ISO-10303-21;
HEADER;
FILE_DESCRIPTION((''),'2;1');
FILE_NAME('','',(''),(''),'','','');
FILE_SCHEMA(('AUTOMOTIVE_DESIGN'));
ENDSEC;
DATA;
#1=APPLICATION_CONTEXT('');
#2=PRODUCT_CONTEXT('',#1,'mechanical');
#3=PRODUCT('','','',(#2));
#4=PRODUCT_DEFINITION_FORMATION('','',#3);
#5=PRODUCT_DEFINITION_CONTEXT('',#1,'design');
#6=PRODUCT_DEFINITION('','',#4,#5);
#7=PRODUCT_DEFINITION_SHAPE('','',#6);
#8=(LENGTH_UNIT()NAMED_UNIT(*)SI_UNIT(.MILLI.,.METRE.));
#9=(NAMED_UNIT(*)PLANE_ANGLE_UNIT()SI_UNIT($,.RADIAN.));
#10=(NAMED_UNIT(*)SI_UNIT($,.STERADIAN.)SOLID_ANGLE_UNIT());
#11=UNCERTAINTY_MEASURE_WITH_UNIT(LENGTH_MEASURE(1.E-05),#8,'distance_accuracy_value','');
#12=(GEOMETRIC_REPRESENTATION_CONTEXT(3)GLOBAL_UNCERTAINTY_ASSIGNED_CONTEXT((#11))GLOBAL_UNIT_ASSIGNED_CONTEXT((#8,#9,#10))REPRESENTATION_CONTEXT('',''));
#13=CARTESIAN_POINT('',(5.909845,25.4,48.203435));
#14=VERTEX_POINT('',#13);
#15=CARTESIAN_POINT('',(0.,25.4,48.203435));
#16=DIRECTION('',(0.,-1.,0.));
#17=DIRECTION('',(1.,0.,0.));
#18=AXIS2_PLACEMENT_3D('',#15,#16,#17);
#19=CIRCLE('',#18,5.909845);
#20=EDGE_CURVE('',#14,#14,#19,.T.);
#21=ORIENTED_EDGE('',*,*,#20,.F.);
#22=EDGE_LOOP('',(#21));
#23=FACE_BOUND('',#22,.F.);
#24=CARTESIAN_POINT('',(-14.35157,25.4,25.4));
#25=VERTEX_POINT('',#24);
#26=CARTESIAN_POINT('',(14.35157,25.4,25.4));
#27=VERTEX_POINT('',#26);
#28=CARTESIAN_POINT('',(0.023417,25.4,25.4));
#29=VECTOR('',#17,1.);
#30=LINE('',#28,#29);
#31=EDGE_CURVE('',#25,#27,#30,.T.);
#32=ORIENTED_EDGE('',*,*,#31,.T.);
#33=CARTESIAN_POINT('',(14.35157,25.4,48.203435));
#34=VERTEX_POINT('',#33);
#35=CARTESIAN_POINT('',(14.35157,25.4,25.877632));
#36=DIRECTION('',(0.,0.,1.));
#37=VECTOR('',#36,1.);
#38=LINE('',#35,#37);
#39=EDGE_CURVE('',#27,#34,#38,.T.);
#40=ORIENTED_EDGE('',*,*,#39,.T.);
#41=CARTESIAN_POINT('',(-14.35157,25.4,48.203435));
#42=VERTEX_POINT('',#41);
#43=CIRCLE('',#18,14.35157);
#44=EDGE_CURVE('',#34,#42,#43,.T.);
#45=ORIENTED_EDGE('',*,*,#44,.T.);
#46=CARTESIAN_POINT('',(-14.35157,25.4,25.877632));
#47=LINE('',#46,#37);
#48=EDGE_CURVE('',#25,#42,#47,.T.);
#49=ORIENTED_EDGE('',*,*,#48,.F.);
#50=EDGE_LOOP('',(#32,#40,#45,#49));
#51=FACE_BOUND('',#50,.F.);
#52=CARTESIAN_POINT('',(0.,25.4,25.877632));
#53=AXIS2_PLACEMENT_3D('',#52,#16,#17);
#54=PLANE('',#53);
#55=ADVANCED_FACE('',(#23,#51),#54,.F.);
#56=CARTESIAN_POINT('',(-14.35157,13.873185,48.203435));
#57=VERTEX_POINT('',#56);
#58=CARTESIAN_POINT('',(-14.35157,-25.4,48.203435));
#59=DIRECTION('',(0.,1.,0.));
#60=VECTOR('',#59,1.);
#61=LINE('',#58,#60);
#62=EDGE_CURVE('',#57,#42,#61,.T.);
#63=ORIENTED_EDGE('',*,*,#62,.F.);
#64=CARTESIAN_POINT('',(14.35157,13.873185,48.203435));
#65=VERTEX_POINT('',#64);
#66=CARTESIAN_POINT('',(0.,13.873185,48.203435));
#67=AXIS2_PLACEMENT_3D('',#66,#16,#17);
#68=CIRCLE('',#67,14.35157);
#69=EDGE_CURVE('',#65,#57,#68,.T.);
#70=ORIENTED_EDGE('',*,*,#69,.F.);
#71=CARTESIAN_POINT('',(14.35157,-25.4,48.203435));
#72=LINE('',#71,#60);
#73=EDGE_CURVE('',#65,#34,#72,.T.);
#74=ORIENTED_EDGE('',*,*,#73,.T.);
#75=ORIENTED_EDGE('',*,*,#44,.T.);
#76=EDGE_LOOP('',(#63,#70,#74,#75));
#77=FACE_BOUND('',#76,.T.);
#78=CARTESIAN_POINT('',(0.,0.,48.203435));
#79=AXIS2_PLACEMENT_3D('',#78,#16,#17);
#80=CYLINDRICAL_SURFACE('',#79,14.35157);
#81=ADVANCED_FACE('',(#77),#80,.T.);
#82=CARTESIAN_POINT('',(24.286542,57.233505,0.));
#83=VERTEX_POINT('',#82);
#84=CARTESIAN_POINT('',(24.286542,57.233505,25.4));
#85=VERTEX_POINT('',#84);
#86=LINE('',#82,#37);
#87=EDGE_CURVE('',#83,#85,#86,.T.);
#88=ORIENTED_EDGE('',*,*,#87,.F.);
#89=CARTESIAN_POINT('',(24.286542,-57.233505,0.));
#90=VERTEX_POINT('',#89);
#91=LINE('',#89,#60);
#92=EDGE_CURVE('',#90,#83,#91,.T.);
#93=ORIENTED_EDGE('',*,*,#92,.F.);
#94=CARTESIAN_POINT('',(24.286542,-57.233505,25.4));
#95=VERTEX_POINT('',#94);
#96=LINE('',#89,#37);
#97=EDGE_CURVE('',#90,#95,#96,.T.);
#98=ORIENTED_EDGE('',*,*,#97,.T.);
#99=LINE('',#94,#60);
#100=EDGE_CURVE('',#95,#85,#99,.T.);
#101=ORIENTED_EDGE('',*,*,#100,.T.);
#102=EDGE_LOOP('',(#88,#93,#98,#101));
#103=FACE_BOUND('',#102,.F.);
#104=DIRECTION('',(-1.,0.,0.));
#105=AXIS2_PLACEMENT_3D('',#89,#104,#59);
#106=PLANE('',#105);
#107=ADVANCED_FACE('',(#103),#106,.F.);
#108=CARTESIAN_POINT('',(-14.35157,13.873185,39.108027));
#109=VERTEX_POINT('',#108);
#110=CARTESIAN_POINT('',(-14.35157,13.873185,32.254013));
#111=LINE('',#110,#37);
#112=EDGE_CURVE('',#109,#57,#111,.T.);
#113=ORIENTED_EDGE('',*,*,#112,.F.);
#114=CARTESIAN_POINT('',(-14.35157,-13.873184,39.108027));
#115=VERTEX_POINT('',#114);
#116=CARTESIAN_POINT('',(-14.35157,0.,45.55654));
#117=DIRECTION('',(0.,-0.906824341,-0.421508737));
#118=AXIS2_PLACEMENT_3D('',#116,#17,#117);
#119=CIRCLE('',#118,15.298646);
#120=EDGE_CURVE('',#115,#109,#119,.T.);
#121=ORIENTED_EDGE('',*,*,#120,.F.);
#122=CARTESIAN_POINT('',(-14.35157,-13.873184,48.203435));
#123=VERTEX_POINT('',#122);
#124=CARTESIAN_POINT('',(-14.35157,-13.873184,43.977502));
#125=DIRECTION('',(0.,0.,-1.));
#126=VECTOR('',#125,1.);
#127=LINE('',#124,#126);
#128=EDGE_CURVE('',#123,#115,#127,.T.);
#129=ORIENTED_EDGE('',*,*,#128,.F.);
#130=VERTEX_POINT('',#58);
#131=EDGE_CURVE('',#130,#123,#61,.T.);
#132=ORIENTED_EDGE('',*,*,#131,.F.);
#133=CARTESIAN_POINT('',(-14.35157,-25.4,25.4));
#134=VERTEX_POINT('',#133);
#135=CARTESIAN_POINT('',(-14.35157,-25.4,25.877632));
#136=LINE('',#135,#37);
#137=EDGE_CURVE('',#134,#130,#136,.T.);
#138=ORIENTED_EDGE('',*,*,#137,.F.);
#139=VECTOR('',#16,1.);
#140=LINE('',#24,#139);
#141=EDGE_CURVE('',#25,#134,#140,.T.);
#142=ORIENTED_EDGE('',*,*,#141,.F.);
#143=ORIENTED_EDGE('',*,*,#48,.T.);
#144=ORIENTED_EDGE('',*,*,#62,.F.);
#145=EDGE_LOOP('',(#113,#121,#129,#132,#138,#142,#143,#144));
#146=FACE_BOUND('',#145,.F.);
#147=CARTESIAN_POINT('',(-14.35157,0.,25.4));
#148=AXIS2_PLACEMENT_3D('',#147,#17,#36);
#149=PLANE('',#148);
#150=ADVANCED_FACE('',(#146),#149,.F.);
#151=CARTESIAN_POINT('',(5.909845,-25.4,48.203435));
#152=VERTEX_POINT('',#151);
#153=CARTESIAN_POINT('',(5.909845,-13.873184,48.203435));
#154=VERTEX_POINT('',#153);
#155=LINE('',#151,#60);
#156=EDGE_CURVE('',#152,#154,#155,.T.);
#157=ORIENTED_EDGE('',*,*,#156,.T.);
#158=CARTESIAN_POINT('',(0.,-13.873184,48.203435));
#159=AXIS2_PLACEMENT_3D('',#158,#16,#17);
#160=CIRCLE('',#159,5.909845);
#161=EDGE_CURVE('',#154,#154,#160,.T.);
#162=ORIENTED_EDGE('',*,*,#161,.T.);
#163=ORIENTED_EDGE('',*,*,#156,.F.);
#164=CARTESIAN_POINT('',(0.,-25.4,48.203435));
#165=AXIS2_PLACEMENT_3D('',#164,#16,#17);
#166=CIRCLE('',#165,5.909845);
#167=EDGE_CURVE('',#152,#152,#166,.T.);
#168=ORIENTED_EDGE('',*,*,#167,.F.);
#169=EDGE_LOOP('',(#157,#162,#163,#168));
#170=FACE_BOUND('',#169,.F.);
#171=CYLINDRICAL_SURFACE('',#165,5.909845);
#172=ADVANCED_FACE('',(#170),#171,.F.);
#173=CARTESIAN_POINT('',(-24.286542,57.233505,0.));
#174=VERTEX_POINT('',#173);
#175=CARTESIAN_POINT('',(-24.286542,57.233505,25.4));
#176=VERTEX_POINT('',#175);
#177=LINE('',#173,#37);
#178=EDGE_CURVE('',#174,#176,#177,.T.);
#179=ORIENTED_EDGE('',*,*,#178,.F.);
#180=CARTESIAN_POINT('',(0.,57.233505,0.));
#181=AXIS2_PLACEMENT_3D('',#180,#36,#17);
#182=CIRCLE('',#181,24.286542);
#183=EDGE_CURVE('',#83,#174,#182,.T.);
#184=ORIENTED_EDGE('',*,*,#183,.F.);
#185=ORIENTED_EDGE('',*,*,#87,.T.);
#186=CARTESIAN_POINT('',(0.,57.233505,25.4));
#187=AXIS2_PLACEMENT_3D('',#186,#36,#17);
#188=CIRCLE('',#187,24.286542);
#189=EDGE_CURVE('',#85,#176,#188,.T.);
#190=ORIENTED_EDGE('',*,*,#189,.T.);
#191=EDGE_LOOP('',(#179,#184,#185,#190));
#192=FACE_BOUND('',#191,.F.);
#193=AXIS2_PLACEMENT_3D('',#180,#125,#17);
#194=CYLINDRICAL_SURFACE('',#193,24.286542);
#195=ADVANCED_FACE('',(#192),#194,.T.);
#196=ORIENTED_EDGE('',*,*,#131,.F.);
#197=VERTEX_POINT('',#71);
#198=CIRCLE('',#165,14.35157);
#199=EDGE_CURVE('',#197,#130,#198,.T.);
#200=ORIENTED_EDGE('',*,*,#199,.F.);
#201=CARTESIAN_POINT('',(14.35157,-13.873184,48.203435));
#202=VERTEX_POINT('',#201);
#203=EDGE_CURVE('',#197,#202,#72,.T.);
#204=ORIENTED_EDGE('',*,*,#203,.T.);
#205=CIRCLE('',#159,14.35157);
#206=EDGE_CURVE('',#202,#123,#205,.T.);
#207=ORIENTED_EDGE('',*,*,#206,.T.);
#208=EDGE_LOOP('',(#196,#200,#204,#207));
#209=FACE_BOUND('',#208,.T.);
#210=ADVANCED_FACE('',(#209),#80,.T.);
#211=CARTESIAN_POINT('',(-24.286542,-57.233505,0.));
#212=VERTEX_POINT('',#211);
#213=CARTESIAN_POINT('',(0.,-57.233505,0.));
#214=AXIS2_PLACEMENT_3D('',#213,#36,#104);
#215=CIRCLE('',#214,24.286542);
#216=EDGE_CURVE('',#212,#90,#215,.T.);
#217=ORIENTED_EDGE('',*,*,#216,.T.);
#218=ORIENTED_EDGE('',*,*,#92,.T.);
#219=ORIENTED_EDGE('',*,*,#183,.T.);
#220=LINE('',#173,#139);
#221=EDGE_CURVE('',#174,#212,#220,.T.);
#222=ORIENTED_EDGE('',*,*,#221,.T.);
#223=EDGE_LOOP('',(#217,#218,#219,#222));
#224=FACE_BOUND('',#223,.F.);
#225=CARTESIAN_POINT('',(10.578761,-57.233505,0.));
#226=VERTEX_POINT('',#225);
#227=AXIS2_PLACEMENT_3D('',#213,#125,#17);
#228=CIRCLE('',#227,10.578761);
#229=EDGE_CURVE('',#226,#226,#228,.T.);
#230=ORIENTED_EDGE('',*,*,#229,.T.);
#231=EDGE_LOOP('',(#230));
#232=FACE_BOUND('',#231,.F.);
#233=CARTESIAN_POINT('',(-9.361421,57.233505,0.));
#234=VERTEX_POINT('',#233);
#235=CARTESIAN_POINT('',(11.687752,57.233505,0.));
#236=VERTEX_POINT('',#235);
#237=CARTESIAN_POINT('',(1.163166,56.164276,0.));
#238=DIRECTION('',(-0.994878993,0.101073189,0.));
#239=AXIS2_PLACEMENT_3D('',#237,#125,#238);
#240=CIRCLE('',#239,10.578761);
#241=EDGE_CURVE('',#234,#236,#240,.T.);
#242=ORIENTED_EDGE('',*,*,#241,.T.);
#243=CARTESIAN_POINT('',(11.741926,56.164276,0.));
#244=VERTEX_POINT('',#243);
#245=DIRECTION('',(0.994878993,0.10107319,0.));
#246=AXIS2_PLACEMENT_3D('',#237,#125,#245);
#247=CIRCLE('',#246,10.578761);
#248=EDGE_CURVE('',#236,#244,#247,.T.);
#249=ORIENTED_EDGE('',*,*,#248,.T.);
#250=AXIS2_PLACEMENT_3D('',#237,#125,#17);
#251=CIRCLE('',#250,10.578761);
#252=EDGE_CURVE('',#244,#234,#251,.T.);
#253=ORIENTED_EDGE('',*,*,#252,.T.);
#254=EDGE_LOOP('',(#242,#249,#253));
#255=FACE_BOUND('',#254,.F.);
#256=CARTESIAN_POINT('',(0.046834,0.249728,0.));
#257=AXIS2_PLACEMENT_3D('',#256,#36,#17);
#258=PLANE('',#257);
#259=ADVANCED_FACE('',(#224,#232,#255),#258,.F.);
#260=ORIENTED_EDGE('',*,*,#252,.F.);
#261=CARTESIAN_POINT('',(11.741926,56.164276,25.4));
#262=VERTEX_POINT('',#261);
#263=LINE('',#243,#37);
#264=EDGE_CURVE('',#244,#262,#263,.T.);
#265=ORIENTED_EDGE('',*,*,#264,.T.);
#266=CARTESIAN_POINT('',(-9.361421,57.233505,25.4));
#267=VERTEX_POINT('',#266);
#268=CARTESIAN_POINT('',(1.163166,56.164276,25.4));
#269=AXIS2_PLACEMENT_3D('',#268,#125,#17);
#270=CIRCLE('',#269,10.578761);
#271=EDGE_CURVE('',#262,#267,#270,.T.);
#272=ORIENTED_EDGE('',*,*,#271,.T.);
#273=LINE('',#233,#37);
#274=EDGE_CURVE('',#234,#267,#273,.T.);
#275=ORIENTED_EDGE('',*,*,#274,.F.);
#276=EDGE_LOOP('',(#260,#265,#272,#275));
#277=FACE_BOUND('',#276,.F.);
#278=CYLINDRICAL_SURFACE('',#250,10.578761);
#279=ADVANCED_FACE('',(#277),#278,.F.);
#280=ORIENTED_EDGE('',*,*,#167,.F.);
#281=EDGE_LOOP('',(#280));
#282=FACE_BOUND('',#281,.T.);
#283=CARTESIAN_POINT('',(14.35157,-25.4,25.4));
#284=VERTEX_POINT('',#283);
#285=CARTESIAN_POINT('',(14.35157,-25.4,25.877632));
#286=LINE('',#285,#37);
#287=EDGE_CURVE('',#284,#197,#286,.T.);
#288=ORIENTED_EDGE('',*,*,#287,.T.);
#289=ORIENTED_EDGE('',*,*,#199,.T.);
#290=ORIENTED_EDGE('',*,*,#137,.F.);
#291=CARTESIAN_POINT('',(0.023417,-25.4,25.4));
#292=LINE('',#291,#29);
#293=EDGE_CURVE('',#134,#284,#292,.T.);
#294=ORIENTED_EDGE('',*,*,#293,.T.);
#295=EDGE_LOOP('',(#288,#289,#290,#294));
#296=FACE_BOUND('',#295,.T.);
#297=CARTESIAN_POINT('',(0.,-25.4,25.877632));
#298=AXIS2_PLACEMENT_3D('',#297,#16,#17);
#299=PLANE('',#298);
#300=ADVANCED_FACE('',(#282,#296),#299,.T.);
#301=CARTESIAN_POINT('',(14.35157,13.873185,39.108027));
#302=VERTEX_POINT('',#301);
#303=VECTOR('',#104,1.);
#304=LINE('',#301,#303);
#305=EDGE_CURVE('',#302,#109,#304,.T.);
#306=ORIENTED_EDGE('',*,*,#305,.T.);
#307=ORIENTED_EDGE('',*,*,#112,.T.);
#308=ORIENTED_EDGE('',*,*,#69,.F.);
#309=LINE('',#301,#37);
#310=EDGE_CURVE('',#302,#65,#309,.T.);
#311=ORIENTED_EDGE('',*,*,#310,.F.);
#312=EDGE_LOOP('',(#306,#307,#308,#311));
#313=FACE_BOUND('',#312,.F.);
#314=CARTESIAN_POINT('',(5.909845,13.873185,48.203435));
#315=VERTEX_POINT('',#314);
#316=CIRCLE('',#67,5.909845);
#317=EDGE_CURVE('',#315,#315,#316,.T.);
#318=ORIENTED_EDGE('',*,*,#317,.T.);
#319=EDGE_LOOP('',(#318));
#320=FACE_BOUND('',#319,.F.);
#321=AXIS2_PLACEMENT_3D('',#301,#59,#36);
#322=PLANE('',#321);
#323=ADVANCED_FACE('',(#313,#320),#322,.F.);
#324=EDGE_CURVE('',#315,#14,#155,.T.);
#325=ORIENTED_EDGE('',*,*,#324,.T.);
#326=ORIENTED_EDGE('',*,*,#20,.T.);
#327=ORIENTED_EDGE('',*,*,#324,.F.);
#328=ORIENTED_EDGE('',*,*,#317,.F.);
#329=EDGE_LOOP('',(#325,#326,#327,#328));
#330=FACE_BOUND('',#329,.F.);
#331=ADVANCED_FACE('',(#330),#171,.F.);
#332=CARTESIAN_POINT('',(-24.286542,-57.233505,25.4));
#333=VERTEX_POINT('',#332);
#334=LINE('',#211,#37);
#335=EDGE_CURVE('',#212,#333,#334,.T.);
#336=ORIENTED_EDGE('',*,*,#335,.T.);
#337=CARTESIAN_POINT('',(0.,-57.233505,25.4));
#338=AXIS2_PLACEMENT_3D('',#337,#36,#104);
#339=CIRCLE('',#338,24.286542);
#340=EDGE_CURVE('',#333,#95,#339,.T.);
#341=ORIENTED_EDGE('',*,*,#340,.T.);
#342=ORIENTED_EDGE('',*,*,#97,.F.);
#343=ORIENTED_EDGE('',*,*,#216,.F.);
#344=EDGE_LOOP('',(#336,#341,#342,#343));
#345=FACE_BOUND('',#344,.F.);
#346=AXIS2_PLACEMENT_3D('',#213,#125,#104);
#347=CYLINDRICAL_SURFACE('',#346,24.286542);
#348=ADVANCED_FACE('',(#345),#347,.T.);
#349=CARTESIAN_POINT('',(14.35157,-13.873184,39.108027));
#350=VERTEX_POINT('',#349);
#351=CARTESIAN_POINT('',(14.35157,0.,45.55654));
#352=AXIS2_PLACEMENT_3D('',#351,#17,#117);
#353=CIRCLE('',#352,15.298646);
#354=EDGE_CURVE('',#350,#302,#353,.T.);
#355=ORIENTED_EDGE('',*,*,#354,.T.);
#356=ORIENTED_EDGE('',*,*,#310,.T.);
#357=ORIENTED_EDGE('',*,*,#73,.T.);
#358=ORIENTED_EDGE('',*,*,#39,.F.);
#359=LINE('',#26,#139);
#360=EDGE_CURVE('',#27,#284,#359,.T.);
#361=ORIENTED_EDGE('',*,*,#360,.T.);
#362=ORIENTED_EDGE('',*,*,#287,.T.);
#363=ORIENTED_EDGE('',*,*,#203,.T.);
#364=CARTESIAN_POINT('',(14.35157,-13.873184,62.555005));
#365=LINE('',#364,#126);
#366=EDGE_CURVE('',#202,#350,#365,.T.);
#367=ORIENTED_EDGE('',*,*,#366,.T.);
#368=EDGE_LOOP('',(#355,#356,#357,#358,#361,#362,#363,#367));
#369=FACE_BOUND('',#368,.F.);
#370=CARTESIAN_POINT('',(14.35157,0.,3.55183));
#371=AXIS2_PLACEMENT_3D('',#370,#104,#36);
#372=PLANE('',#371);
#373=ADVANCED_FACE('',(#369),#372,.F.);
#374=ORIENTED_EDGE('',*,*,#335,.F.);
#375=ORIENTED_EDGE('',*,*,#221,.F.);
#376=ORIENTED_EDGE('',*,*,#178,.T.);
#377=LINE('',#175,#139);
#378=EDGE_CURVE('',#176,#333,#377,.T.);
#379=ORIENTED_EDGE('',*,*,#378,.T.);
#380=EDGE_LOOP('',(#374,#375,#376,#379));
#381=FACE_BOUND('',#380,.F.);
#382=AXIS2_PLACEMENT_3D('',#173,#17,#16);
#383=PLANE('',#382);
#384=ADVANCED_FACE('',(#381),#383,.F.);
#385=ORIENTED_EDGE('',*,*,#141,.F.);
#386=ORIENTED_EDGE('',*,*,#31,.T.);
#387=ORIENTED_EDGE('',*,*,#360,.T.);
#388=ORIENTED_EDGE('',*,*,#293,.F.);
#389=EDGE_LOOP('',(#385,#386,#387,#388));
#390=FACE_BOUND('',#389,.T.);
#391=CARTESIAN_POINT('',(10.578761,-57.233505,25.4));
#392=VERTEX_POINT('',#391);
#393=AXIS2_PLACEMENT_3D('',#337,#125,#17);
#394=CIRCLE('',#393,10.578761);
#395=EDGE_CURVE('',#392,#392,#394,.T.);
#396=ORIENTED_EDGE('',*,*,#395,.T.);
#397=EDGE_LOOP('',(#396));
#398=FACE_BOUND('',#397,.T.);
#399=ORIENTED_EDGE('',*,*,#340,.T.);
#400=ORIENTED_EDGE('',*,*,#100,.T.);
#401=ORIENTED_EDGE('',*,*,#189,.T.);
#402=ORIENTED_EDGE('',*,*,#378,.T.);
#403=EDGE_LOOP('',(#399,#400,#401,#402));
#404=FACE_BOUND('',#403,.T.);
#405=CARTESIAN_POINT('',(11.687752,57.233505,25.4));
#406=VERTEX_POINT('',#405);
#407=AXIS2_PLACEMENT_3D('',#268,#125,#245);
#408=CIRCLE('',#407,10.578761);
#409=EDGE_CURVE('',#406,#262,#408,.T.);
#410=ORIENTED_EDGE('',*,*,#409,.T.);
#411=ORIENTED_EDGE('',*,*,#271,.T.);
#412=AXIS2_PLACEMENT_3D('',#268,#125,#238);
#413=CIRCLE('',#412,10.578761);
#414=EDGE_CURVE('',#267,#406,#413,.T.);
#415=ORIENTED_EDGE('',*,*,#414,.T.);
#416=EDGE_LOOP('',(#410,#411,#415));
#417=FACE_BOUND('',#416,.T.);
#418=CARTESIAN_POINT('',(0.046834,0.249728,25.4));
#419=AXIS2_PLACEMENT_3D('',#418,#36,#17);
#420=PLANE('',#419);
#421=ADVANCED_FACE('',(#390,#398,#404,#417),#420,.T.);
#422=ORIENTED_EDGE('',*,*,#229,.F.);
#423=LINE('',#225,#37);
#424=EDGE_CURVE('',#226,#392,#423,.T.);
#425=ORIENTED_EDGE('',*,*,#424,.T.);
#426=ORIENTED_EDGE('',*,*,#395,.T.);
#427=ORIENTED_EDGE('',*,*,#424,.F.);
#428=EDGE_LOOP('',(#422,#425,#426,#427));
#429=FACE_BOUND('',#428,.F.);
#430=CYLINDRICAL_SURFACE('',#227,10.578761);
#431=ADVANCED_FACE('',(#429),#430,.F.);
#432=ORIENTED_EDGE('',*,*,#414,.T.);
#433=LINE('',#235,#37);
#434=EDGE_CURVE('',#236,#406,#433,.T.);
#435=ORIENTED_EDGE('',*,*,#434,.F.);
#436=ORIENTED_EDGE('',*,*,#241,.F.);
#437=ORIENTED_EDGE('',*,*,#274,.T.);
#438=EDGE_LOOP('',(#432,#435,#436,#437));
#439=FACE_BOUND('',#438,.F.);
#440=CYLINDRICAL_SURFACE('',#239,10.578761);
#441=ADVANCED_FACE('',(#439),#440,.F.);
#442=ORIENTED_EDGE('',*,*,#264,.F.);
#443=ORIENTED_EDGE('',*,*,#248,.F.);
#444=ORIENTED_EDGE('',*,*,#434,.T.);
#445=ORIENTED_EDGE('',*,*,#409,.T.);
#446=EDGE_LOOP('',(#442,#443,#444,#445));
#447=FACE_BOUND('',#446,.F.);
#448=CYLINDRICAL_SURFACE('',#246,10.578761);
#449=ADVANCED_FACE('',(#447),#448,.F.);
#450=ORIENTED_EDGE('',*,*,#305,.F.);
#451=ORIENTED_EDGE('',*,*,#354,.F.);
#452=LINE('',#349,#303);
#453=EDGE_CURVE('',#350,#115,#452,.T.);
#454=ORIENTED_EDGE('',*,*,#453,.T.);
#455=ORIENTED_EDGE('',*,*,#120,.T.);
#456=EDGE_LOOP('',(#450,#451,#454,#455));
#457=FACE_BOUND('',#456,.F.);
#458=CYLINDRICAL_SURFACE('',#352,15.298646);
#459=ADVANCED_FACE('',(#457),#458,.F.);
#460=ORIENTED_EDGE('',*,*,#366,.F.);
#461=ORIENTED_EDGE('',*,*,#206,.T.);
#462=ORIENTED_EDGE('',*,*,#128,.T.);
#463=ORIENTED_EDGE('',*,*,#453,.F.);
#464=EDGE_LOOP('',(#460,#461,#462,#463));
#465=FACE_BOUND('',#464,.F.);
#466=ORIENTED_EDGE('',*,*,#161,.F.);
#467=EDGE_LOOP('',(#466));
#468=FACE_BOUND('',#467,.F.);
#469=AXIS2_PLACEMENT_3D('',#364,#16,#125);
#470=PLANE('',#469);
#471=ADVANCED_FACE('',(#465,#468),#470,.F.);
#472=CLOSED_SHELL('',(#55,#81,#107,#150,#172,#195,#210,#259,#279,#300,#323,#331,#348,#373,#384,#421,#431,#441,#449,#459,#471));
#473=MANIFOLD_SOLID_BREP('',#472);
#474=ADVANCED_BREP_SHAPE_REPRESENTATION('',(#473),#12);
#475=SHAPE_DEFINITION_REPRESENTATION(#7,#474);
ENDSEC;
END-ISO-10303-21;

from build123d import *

# Parameters (mm, degrees)
F1_DEPTH = 25.4
F2_W     = 28.7031400949
F2_H     = 44.6516051888
F3_DEPTH = 25.4
F4_DEPTH = 25.4
F5_R     = 5.9098450102
F6_DEPTH = 106.9210470388
F7_W     = 27.7463691309
F7_H     = 9.0954080224
F7_H_2   = 14.3515700474
F8_DEPTH = 38.6391121352


with BuildPart() as f1:
    # F0 (on Top) → F1 (new body)
    with BuildSketch(Plane.XY):
        with BuildLine():
            Line((24.2865420878, -57.233504951), (24.2865420878, 57.233504951))
            Line((24.2865420878, 57.233504951), (11.6877524542, 57.233504951))
            ThreePointArc((11.6877524542, 57.233504951), (11.7283742061, 56.6995761613), (11.7419263642, 56.1642758548))
            ThreePointArc((11.7419263642, 56.1642758548), (0.6278652442, 45.5990671994), (-9.3614213529, 57.233504951))
            Line((-9.3614213529, 57.233504951), (-24.2865420878, 57.233504951))
            Line((-24.2865420878, 57.233504951), (-24.2865420878, -57.233504951))
            Line((-24.2865420878, -57.233504951), (-10.5787608136, -57.233504951))
            ThreePointArc((-10.5787608136, -57.233504951), (0, -46.6547441374), (10.5787608136, -57.233504951))
            Line((10.5787608136, -57.233504951), (24.2865420878, -57.233504951))
        make_face()
        with BuildLine():
            ThreePointArc((-24.2865420878, -57.233504951), (0, -81.5200470388), (24.2865420878, -57.233504951))
            Line((24.2865420878, -57.233504951), (10.5787608136, -57.233504951))
            ThreePointArc((10.5787608136, -57.233504951), (0, -67.8122657646), (-10.5787608136, -57.233504951))
            Line((-10.5787608136, -57.233504951), (-24.2865420878, -57.233504951))
        make_face()
        with BuildLine():
            Line((11.6877524542, 57.233504951), (24.2865420878, 57.233504951))
            ThreePointArc((24.2865420878, 57.233504951), (0, 81.5200470388), (-24.2865420878, 57.233504951))
            Line((-24.2865420878, 57.233504951), (-9.3614213529, 57.233504951))
            ThreePointArc((-9.3614213529, 57.233504951), (1.1631655507, 66.7430366684), (11.6877524542, 57.233504951))
        make_face()
    extrude(amount=F1_DEPTH)

    # F2 (on Front) → F3 (join)
    with BuildSketch(Plane.XZ):
        with Locations((0, 25.8776322007)):
            Rectangle(F2_W, F2_H)
        with BuildLine():
            Line((-14.3515700474, 48.2034347951), (14.3515700474, 48.2034347951))
            ThreePointArc((14.3515700474, 48.2034347951), (0, 62.5550048426), (-14.3515700474, 48.2034347951))
        make_face()
    extrude(amount=F3_DEPTH)

    # F4 (add): a face of the model
    f4_faces = [f1.faces().sort_by_distance(p)[0] for p in [
        (0, 0, 42.5881236801),
    ]]
    extrude(f4_faces, amount=F4_DEPTH)

    # F5 (on face) → F6 (cut, through all)
    with BuildSketch(Plane.XZ.offset(25.4)):
        with Locations((0, 48.2034347951)):
            Circle(F5_R)
    extrude(amount=-F6_DEPTH, mode=Mode.SUBTRACT)

    # F7 (on face) → F8 (cut, through all)
    with BuildSketch(Plane.YZ.offset(14.3515700474)):
        with BuildLine():
            Line((13.8731850311, 39.1080267727), (-13.8731840998, 39.1080267727))
            ThreePointArc((-13.8731840998, 39.1080267727), (4.657e-07, 30.2578937262), (13.8731850311, 39.1080267727))
        make_face()
        with Locations((4.657e-07, 43.6557307839)):
            Rectangle(F7_W, F7_H)
        with Locations((4.657e-07, 55.3792198189)):
            Rectangle(F7_W, F7_H_2)
    extrude(amount=-F8_DEPTH, mode=Mode.SUBTRACT)


solid = f1.part
